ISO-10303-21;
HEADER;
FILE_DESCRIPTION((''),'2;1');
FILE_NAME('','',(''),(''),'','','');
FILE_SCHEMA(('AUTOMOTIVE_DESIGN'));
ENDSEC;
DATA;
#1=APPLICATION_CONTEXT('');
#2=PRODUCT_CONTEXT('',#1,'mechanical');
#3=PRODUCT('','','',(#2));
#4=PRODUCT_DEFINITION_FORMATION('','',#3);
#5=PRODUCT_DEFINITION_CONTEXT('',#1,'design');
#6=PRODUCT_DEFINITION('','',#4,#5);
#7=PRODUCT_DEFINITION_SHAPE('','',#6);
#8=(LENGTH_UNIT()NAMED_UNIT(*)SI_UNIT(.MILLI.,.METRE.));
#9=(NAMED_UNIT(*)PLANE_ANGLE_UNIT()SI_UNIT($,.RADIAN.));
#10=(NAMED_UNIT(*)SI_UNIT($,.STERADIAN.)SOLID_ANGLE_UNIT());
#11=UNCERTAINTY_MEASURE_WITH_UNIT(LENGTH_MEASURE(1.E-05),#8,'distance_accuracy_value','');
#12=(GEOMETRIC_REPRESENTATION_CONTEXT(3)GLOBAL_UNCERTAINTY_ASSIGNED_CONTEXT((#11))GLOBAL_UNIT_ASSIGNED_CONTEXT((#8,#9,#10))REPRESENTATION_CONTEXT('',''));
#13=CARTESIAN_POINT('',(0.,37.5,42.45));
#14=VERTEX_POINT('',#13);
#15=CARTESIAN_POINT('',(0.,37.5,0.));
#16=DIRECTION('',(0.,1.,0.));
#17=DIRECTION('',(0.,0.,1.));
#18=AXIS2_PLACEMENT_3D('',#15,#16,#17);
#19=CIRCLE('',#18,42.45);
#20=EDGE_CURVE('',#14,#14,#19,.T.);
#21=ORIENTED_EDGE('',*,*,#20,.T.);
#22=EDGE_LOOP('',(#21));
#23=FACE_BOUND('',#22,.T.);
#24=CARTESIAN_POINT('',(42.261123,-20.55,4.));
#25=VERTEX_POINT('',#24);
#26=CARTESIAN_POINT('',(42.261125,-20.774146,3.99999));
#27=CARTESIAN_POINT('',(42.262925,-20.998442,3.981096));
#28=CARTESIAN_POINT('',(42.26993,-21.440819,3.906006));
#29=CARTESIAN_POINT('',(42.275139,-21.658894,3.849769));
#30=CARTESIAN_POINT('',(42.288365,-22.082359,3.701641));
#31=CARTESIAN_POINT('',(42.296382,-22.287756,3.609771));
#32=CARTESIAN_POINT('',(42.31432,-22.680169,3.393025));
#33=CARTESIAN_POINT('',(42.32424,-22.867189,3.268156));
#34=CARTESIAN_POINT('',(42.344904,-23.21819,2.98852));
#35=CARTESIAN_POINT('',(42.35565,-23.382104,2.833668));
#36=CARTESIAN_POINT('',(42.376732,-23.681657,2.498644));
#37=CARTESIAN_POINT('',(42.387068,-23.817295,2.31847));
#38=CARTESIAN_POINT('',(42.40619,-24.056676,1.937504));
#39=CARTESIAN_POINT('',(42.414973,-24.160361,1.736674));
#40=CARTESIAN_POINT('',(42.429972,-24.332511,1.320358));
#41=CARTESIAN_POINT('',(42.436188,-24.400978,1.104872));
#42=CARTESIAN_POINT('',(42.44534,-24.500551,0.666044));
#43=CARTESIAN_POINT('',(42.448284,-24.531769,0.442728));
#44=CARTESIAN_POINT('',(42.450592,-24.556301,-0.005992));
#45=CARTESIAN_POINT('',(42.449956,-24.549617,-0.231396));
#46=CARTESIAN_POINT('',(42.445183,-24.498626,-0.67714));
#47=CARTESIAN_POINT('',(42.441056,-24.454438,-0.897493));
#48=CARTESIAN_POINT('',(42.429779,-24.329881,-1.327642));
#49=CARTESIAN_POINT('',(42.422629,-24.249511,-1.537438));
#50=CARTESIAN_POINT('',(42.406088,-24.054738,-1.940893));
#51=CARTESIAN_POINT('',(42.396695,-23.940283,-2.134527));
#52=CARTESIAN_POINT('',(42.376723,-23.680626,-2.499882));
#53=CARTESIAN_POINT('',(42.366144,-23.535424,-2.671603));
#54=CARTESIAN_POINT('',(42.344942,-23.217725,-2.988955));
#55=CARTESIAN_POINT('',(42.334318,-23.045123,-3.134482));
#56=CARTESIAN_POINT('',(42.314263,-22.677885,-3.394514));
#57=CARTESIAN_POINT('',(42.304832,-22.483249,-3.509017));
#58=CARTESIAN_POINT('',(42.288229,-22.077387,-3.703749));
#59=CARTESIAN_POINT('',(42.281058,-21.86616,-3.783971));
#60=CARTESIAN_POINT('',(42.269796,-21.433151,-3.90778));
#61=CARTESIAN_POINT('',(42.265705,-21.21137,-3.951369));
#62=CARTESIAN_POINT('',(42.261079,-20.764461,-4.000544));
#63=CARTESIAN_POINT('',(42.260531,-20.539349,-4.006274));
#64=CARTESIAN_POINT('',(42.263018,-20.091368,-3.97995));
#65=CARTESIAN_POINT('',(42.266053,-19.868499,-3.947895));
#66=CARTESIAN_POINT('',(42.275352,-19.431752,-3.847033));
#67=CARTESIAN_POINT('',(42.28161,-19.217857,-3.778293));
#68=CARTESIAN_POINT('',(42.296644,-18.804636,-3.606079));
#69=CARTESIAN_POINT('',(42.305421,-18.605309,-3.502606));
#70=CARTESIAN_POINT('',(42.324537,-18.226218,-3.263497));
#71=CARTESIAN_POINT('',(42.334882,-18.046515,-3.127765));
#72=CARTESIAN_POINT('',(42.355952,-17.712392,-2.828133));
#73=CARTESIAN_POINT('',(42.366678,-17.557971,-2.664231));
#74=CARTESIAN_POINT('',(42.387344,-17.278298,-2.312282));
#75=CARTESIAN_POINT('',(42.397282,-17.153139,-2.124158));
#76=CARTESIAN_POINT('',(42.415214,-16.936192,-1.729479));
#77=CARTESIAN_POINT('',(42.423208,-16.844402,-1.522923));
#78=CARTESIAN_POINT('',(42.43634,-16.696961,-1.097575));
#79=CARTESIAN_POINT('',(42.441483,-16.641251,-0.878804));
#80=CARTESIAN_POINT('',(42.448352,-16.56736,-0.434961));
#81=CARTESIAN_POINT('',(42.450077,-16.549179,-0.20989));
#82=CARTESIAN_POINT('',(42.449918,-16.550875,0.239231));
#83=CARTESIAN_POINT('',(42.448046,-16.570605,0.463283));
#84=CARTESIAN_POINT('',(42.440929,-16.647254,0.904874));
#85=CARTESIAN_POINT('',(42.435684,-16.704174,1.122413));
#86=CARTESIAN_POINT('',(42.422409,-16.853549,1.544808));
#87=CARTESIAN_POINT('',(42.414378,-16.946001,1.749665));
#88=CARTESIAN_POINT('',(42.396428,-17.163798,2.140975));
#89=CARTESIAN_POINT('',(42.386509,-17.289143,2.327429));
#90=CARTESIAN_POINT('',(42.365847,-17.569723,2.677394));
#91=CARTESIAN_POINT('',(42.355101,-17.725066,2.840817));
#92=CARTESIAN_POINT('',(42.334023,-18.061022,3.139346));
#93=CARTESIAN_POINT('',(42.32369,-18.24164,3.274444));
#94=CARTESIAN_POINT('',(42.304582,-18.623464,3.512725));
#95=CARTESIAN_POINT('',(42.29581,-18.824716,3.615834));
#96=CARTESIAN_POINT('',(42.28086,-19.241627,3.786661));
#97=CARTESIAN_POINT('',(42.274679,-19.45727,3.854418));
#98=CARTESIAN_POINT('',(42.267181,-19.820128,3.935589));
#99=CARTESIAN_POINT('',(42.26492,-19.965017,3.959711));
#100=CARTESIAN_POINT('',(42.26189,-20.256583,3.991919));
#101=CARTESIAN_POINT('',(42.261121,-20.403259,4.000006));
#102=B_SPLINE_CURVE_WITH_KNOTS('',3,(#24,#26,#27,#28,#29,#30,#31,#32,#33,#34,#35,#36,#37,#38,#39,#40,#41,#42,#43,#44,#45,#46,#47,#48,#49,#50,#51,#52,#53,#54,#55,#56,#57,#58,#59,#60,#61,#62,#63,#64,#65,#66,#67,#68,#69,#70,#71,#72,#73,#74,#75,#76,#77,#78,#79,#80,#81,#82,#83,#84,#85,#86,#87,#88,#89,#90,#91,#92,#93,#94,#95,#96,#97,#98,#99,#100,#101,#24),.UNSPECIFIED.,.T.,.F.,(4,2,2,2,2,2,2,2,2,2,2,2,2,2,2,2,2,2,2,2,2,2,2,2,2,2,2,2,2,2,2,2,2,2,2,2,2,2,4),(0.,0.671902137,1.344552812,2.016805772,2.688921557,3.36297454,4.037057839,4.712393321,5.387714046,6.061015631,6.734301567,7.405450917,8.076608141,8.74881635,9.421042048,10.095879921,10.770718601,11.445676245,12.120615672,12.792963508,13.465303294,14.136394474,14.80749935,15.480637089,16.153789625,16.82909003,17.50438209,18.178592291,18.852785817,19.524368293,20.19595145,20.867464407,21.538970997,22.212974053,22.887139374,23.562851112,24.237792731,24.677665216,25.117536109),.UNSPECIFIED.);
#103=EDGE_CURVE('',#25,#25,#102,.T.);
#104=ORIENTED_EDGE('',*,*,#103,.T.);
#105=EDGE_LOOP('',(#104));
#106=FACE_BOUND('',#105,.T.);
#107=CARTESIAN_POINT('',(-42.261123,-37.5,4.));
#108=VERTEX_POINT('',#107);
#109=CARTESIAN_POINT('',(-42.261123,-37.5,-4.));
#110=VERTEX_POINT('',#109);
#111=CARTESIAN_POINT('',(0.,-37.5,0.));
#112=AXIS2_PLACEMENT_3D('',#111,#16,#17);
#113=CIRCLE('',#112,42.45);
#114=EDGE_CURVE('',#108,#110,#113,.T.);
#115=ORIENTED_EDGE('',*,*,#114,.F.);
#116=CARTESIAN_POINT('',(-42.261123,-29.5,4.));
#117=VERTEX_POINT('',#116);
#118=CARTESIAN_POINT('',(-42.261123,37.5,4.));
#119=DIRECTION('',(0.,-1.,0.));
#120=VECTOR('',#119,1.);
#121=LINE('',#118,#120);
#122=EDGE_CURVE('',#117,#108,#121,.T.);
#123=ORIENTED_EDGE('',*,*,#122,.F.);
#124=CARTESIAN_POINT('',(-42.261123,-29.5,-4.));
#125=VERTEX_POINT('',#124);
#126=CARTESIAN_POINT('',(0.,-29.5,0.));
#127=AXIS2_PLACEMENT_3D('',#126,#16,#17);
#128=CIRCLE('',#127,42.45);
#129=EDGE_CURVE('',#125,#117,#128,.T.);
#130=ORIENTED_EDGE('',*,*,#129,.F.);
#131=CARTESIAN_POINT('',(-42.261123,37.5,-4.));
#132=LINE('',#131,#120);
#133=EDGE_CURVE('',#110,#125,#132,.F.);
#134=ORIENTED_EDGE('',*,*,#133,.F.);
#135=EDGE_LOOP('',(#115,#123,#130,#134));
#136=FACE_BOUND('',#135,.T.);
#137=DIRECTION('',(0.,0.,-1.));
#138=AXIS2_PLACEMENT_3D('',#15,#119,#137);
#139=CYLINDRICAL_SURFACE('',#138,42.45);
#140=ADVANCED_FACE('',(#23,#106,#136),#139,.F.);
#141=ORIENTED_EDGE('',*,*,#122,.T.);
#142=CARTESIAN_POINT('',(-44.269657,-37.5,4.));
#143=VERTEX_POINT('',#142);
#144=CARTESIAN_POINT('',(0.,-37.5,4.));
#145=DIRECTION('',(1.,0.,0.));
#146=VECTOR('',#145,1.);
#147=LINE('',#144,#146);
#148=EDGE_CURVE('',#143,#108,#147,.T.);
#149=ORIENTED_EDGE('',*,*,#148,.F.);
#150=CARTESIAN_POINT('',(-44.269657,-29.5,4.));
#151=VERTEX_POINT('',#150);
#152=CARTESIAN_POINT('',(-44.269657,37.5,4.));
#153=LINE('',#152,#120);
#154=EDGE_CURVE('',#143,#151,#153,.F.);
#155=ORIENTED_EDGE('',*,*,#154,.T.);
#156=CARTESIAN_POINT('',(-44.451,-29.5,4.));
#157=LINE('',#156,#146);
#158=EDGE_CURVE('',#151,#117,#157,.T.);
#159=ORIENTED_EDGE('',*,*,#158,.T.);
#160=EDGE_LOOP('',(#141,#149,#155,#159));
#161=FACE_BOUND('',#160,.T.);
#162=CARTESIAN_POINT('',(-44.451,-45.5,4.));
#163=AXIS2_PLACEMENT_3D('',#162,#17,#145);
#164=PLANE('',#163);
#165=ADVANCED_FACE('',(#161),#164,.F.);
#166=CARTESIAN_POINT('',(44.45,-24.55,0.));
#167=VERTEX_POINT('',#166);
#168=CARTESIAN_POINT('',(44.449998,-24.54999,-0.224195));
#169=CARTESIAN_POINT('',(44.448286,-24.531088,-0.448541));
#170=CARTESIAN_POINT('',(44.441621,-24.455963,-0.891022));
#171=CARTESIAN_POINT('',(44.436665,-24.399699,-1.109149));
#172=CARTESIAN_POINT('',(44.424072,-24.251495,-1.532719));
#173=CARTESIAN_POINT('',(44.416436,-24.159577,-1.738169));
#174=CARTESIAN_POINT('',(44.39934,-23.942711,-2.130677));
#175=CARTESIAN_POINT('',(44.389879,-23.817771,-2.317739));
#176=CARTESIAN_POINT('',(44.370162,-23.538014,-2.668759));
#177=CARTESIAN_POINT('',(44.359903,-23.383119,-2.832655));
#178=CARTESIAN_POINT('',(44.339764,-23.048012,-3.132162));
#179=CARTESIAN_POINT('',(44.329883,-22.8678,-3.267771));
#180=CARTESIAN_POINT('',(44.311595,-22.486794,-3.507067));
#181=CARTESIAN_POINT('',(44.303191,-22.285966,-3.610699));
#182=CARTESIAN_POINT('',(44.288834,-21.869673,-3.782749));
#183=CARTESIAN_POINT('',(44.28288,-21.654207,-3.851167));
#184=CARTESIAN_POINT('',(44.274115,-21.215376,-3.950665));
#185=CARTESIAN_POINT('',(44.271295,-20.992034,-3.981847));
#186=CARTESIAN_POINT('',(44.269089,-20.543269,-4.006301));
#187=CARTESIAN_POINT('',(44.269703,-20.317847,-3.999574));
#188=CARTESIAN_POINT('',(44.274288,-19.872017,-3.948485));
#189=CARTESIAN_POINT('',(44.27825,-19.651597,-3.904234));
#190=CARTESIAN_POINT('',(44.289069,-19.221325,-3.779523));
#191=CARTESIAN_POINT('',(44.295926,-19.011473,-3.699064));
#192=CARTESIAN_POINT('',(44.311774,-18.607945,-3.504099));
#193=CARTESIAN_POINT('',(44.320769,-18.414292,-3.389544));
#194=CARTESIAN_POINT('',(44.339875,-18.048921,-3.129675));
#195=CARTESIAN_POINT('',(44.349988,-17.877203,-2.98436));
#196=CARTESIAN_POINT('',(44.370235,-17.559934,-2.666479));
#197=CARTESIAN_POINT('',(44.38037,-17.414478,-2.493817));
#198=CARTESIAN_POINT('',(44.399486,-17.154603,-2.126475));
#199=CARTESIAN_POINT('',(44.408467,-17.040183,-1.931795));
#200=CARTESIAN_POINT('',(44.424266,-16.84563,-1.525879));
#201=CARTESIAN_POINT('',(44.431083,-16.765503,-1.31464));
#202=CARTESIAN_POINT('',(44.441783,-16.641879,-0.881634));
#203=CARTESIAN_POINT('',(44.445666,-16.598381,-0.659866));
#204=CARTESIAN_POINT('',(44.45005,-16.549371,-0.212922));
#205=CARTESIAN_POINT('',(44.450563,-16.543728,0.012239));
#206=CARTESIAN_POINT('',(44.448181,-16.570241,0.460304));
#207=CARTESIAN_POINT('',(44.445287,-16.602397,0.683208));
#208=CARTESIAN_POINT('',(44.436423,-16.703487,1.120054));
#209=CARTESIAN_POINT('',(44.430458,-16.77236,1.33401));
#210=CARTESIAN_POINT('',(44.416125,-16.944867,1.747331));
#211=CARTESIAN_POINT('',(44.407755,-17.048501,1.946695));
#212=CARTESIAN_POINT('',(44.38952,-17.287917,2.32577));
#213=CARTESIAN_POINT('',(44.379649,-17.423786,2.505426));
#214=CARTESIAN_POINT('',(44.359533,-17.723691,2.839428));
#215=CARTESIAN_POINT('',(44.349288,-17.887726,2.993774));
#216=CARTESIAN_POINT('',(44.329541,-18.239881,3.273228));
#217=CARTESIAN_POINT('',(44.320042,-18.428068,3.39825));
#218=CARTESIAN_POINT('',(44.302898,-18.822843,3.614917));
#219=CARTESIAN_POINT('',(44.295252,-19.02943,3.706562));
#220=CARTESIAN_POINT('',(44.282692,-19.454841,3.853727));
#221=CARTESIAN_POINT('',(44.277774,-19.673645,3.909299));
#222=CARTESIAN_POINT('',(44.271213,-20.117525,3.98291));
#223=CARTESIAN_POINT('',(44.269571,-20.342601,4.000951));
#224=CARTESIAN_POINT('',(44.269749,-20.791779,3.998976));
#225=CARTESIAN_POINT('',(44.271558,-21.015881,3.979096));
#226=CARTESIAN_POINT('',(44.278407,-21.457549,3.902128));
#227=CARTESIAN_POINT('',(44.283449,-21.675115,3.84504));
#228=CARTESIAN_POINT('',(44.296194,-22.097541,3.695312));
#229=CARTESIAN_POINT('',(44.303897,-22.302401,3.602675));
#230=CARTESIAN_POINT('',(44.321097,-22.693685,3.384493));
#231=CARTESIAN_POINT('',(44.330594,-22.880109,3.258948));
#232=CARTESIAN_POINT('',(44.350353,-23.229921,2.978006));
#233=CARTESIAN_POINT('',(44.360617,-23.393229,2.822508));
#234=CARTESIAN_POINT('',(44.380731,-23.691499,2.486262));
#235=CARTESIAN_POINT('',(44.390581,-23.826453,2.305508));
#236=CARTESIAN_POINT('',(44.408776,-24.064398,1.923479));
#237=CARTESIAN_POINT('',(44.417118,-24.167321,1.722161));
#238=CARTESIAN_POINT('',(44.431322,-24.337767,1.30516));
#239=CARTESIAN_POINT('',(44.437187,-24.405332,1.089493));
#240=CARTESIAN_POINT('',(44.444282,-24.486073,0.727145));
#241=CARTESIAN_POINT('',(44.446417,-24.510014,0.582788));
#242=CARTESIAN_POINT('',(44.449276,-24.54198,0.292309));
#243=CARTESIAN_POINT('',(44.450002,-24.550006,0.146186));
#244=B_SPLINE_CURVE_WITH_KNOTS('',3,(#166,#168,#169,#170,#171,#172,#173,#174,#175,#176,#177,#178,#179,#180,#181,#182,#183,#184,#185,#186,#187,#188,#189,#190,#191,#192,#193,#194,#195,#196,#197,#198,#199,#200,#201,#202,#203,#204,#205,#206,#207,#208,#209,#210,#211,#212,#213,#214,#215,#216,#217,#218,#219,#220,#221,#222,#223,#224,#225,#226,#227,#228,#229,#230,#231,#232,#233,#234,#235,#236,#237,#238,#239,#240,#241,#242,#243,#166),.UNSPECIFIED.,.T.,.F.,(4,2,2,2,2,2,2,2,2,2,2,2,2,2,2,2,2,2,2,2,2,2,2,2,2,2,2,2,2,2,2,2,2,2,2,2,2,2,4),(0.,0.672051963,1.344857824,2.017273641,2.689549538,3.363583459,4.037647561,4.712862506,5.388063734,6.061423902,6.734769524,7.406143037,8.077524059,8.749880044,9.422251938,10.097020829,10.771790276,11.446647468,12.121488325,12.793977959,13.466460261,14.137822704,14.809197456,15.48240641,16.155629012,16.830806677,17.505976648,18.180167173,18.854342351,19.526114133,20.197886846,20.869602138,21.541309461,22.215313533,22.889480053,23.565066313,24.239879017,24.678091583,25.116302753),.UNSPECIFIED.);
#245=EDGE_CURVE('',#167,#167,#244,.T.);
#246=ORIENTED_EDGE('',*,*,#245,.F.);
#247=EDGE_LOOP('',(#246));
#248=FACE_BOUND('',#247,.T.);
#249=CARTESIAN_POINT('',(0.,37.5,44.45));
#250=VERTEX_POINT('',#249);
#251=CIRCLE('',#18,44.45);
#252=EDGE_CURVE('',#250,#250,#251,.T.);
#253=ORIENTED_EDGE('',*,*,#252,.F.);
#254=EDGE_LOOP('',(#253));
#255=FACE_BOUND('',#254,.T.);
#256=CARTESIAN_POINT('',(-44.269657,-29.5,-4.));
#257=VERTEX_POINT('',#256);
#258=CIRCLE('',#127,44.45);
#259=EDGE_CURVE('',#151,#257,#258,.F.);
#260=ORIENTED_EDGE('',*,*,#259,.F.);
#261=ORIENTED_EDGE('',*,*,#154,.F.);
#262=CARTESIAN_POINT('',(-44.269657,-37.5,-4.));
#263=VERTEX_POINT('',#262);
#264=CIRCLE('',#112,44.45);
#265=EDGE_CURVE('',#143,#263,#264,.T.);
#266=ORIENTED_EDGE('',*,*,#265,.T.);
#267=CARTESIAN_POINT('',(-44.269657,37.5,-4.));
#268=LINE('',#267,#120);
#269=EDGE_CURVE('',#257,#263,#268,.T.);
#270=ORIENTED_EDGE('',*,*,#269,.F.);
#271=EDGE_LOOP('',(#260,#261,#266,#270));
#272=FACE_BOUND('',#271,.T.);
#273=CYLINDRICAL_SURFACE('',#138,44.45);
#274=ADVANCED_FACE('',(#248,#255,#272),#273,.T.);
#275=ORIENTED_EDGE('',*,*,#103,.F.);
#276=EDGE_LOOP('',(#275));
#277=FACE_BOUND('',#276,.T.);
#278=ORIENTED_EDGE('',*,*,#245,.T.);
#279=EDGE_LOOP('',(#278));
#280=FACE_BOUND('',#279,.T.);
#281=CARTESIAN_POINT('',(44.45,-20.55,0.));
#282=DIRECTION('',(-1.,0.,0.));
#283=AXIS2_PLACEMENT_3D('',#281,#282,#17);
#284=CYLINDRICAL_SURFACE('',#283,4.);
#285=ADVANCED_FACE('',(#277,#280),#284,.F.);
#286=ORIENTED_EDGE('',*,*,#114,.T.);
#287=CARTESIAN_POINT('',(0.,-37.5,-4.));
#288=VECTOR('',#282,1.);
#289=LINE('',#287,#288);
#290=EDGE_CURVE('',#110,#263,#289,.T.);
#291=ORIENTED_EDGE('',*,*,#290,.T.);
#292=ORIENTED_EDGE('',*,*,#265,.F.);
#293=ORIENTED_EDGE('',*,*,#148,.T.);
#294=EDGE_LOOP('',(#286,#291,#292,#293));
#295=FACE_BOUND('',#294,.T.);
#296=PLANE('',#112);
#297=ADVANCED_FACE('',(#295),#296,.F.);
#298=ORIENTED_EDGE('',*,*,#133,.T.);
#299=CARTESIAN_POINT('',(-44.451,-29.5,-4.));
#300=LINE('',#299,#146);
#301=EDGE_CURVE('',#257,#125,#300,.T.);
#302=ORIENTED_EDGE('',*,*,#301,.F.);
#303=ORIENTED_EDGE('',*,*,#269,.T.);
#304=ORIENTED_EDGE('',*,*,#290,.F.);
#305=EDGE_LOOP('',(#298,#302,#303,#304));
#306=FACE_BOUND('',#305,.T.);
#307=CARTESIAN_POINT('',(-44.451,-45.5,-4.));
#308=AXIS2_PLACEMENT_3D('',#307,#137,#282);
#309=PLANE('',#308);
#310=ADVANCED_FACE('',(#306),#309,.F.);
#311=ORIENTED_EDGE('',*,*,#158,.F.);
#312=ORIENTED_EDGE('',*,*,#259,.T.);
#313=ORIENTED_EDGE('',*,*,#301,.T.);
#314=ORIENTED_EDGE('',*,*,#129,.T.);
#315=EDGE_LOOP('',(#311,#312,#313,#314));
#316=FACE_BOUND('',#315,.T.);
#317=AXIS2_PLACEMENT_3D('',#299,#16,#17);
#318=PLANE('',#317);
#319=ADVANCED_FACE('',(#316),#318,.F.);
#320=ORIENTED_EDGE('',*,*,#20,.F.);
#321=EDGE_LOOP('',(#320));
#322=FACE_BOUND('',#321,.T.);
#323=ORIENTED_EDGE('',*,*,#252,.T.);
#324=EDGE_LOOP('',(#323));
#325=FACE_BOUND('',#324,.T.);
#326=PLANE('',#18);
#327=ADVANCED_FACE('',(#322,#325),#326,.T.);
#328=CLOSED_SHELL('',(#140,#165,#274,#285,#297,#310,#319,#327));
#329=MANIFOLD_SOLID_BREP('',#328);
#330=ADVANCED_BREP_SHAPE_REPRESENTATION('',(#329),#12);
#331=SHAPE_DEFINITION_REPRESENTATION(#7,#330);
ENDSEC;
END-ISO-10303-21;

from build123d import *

# Parameters (mm, degrees)
SKETCH1_R               = 44.45
SKETCH1_R_2             = 42.45
BOSS_EXTRUDE1_DEPTH     = 37.5
CUT_EXTRUDE1_REACH      = 75.197
CUT_EXTRUDE1_END_RADIUS = 44.45
SKETCH2_W               = 8
SKETCH2_H               = 16
SKETCH3_R               = 4
CUT_EXTRUDE2_DEPTH      = 74.197370171


with BuildPart() as part:
    # Sketch1 → Boss-Extrude1 (new, symmetric)
    with BuildSketch(Plane(origin=(0, 0, 0), x_dir=(1, 0, 0), z_dir=(0, 1, 0))):
        with Locations(Location((0, 0, 0), (0, 0, 270))):
            Circle(SKETCH1_R)
        with Locations(Location((0, 0, 0), (0, 0, 270))):
            Circle(SKETCH1_R_2, mode=Mode.SUBTRACT)
    extrude(amount=BOSS_EXTRUDE1_DEPTH, both=True)

    # Cut-Extrude1: up to this cylinder (the profile starts inside it)
    cut_extrude1_end = Plane(origin=(0, -37.5, 0), z_dir=(0, -1, 0)) * Cylinder(CUT_EXTRUDE1_END_RADIUS, 240.294, mode=Mode.PRIVATE)
    # Sketch2 → Cut-Extrude1 (cut, up to the surface)
    with BuildSketch(Plane(origin=(0, 0, 0), x_dir=(0, 0, -1), z_dir=(1, 0, 0)), mode=Mode.PRIVATE) as cut_extrude1_sk1:
        with Locations((0, -37.5)):
            Rectangle(SKETCH2_W, SKETCH2_H)
    cut_extrude1_tool1 = extrude(cut_extrude1_sk1.sketch, amount=-CUT_EXTRUDE1_REACH, mode=Mode.PRIVATE) & cut_extrude1_end
    add(cut_extrude1_tool1.solids().sort_by_distance((0, -37.5, 0))[0], mode=Mode.SUBTRACT)

    # Sketch3 → Cut-Extrude2 (cut, through all)
    with BuildSketch(Plane(origin=(0, 0, 0), x_dir=(0, 0, -1), z_dir=(1, 0, 0))):
        with Locations(Location((0, -20.55, 0), (0, 0, 180))):
            Circle(SKETCH3_R)
    extrude(amount=CUT_EXTRUDE2_DEPTH, mode=Mode.SUBTRACT)


solid = part.part
